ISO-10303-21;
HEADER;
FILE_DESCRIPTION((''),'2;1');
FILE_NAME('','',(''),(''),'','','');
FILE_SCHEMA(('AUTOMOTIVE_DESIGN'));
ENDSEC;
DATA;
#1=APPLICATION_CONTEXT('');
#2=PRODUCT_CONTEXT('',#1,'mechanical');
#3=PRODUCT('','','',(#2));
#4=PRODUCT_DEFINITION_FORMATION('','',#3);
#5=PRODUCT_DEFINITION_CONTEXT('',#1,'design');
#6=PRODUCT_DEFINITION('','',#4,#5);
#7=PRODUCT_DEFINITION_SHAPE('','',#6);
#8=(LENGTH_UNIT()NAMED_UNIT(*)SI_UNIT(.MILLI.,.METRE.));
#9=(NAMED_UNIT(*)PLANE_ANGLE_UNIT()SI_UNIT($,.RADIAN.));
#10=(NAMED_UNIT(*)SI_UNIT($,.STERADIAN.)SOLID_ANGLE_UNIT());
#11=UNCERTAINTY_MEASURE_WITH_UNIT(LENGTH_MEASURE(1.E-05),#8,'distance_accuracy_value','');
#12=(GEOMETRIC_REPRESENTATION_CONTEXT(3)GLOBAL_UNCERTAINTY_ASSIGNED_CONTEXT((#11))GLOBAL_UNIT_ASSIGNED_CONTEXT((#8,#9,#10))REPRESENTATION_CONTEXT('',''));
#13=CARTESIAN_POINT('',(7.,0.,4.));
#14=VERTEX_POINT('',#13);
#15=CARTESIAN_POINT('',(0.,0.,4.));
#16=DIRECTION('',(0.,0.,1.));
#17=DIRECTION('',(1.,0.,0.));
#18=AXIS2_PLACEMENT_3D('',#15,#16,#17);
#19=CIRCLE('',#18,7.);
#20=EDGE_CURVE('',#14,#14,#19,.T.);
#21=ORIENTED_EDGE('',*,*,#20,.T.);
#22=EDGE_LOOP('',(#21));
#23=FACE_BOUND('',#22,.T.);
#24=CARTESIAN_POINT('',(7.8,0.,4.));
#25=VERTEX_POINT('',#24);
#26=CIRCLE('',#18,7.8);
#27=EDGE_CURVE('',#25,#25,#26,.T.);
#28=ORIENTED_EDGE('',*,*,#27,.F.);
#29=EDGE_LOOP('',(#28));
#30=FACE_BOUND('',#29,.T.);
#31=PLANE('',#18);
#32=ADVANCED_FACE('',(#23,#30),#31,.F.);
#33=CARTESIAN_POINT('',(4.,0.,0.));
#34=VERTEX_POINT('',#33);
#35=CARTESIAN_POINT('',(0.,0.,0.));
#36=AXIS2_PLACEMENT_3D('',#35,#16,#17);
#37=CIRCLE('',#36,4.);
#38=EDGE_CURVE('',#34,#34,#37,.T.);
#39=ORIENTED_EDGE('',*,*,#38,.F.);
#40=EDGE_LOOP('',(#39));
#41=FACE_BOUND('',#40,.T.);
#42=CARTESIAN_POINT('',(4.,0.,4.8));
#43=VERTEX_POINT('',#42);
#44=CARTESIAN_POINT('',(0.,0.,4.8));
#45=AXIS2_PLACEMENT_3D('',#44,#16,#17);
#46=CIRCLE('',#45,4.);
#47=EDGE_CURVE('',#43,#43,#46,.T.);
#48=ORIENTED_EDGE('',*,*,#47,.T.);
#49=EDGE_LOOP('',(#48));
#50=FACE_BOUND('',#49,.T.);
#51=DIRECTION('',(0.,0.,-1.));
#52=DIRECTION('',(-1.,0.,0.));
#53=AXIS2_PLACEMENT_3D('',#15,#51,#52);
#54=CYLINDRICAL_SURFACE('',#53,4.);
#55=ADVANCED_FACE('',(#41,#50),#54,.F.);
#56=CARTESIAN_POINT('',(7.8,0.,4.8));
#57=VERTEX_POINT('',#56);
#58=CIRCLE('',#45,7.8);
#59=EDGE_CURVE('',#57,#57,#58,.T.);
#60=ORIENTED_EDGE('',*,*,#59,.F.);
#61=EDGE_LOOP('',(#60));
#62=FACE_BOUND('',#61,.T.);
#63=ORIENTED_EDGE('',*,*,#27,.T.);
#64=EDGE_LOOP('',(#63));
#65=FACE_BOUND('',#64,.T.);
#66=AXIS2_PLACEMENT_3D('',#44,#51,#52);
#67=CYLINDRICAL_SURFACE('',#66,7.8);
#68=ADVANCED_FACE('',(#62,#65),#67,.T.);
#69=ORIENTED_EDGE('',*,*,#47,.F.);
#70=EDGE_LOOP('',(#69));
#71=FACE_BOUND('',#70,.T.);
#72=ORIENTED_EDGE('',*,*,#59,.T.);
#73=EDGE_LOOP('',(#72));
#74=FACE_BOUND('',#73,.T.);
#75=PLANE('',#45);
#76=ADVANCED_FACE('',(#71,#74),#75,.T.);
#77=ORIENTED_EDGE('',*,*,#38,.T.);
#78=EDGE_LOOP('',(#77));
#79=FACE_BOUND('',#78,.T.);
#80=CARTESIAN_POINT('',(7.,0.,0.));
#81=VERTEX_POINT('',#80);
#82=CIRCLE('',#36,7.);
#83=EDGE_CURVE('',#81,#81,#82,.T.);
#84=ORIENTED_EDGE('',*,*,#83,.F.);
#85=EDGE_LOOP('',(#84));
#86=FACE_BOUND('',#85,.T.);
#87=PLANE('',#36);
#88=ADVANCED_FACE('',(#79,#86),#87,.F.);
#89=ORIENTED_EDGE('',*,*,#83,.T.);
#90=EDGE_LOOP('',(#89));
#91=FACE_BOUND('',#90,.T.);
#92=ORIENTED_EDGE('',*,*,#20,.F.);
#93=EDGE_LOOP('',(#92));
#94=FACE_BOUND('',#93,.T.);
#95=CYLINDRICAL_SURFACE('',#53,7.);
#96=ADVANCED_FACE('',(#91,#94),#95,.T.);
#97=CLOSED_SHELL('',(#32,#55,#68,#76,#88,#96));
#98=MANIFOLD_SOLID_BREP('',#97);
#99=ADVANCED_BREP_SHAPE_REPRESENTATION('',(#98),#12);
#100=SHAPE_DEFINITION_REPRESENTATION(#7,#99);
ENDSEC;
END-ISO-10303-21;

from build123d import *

# Parameters (mm, degrees)
SKETCH_1_R      = 7
SKETCH_1_R_2    = 4
EXTRUDE_1_DEPTH = 4
SKETCH_2_R      = 7.8
SKETCH_2_R_2    = 4
EXTRUDE_2_DEPTH = 0.8


with BuildPart() as part:
    # 草图1 → 凸台-拉伸1 (new body)
    with BuildSketch(Plane.XY):
        Circle(SKETCH_1_R)
        Circle(SKETCH_1_R_2, mode=Mode.SUBTRACT)
    extrude(amount=EXTRUDE_1_DEPTH)

    # 草图2 → 凸台-拉伸2 (add)
    with BuildSketch(Plane.XY.offset(4)):
        Circle(SKETCH_2_R)
        Circle(SKETCH_2_R_2, mode=Mode.SUBTRACT)
    extrude(amount=EXTRUDE_2_DEPTH)


solid = part.part
